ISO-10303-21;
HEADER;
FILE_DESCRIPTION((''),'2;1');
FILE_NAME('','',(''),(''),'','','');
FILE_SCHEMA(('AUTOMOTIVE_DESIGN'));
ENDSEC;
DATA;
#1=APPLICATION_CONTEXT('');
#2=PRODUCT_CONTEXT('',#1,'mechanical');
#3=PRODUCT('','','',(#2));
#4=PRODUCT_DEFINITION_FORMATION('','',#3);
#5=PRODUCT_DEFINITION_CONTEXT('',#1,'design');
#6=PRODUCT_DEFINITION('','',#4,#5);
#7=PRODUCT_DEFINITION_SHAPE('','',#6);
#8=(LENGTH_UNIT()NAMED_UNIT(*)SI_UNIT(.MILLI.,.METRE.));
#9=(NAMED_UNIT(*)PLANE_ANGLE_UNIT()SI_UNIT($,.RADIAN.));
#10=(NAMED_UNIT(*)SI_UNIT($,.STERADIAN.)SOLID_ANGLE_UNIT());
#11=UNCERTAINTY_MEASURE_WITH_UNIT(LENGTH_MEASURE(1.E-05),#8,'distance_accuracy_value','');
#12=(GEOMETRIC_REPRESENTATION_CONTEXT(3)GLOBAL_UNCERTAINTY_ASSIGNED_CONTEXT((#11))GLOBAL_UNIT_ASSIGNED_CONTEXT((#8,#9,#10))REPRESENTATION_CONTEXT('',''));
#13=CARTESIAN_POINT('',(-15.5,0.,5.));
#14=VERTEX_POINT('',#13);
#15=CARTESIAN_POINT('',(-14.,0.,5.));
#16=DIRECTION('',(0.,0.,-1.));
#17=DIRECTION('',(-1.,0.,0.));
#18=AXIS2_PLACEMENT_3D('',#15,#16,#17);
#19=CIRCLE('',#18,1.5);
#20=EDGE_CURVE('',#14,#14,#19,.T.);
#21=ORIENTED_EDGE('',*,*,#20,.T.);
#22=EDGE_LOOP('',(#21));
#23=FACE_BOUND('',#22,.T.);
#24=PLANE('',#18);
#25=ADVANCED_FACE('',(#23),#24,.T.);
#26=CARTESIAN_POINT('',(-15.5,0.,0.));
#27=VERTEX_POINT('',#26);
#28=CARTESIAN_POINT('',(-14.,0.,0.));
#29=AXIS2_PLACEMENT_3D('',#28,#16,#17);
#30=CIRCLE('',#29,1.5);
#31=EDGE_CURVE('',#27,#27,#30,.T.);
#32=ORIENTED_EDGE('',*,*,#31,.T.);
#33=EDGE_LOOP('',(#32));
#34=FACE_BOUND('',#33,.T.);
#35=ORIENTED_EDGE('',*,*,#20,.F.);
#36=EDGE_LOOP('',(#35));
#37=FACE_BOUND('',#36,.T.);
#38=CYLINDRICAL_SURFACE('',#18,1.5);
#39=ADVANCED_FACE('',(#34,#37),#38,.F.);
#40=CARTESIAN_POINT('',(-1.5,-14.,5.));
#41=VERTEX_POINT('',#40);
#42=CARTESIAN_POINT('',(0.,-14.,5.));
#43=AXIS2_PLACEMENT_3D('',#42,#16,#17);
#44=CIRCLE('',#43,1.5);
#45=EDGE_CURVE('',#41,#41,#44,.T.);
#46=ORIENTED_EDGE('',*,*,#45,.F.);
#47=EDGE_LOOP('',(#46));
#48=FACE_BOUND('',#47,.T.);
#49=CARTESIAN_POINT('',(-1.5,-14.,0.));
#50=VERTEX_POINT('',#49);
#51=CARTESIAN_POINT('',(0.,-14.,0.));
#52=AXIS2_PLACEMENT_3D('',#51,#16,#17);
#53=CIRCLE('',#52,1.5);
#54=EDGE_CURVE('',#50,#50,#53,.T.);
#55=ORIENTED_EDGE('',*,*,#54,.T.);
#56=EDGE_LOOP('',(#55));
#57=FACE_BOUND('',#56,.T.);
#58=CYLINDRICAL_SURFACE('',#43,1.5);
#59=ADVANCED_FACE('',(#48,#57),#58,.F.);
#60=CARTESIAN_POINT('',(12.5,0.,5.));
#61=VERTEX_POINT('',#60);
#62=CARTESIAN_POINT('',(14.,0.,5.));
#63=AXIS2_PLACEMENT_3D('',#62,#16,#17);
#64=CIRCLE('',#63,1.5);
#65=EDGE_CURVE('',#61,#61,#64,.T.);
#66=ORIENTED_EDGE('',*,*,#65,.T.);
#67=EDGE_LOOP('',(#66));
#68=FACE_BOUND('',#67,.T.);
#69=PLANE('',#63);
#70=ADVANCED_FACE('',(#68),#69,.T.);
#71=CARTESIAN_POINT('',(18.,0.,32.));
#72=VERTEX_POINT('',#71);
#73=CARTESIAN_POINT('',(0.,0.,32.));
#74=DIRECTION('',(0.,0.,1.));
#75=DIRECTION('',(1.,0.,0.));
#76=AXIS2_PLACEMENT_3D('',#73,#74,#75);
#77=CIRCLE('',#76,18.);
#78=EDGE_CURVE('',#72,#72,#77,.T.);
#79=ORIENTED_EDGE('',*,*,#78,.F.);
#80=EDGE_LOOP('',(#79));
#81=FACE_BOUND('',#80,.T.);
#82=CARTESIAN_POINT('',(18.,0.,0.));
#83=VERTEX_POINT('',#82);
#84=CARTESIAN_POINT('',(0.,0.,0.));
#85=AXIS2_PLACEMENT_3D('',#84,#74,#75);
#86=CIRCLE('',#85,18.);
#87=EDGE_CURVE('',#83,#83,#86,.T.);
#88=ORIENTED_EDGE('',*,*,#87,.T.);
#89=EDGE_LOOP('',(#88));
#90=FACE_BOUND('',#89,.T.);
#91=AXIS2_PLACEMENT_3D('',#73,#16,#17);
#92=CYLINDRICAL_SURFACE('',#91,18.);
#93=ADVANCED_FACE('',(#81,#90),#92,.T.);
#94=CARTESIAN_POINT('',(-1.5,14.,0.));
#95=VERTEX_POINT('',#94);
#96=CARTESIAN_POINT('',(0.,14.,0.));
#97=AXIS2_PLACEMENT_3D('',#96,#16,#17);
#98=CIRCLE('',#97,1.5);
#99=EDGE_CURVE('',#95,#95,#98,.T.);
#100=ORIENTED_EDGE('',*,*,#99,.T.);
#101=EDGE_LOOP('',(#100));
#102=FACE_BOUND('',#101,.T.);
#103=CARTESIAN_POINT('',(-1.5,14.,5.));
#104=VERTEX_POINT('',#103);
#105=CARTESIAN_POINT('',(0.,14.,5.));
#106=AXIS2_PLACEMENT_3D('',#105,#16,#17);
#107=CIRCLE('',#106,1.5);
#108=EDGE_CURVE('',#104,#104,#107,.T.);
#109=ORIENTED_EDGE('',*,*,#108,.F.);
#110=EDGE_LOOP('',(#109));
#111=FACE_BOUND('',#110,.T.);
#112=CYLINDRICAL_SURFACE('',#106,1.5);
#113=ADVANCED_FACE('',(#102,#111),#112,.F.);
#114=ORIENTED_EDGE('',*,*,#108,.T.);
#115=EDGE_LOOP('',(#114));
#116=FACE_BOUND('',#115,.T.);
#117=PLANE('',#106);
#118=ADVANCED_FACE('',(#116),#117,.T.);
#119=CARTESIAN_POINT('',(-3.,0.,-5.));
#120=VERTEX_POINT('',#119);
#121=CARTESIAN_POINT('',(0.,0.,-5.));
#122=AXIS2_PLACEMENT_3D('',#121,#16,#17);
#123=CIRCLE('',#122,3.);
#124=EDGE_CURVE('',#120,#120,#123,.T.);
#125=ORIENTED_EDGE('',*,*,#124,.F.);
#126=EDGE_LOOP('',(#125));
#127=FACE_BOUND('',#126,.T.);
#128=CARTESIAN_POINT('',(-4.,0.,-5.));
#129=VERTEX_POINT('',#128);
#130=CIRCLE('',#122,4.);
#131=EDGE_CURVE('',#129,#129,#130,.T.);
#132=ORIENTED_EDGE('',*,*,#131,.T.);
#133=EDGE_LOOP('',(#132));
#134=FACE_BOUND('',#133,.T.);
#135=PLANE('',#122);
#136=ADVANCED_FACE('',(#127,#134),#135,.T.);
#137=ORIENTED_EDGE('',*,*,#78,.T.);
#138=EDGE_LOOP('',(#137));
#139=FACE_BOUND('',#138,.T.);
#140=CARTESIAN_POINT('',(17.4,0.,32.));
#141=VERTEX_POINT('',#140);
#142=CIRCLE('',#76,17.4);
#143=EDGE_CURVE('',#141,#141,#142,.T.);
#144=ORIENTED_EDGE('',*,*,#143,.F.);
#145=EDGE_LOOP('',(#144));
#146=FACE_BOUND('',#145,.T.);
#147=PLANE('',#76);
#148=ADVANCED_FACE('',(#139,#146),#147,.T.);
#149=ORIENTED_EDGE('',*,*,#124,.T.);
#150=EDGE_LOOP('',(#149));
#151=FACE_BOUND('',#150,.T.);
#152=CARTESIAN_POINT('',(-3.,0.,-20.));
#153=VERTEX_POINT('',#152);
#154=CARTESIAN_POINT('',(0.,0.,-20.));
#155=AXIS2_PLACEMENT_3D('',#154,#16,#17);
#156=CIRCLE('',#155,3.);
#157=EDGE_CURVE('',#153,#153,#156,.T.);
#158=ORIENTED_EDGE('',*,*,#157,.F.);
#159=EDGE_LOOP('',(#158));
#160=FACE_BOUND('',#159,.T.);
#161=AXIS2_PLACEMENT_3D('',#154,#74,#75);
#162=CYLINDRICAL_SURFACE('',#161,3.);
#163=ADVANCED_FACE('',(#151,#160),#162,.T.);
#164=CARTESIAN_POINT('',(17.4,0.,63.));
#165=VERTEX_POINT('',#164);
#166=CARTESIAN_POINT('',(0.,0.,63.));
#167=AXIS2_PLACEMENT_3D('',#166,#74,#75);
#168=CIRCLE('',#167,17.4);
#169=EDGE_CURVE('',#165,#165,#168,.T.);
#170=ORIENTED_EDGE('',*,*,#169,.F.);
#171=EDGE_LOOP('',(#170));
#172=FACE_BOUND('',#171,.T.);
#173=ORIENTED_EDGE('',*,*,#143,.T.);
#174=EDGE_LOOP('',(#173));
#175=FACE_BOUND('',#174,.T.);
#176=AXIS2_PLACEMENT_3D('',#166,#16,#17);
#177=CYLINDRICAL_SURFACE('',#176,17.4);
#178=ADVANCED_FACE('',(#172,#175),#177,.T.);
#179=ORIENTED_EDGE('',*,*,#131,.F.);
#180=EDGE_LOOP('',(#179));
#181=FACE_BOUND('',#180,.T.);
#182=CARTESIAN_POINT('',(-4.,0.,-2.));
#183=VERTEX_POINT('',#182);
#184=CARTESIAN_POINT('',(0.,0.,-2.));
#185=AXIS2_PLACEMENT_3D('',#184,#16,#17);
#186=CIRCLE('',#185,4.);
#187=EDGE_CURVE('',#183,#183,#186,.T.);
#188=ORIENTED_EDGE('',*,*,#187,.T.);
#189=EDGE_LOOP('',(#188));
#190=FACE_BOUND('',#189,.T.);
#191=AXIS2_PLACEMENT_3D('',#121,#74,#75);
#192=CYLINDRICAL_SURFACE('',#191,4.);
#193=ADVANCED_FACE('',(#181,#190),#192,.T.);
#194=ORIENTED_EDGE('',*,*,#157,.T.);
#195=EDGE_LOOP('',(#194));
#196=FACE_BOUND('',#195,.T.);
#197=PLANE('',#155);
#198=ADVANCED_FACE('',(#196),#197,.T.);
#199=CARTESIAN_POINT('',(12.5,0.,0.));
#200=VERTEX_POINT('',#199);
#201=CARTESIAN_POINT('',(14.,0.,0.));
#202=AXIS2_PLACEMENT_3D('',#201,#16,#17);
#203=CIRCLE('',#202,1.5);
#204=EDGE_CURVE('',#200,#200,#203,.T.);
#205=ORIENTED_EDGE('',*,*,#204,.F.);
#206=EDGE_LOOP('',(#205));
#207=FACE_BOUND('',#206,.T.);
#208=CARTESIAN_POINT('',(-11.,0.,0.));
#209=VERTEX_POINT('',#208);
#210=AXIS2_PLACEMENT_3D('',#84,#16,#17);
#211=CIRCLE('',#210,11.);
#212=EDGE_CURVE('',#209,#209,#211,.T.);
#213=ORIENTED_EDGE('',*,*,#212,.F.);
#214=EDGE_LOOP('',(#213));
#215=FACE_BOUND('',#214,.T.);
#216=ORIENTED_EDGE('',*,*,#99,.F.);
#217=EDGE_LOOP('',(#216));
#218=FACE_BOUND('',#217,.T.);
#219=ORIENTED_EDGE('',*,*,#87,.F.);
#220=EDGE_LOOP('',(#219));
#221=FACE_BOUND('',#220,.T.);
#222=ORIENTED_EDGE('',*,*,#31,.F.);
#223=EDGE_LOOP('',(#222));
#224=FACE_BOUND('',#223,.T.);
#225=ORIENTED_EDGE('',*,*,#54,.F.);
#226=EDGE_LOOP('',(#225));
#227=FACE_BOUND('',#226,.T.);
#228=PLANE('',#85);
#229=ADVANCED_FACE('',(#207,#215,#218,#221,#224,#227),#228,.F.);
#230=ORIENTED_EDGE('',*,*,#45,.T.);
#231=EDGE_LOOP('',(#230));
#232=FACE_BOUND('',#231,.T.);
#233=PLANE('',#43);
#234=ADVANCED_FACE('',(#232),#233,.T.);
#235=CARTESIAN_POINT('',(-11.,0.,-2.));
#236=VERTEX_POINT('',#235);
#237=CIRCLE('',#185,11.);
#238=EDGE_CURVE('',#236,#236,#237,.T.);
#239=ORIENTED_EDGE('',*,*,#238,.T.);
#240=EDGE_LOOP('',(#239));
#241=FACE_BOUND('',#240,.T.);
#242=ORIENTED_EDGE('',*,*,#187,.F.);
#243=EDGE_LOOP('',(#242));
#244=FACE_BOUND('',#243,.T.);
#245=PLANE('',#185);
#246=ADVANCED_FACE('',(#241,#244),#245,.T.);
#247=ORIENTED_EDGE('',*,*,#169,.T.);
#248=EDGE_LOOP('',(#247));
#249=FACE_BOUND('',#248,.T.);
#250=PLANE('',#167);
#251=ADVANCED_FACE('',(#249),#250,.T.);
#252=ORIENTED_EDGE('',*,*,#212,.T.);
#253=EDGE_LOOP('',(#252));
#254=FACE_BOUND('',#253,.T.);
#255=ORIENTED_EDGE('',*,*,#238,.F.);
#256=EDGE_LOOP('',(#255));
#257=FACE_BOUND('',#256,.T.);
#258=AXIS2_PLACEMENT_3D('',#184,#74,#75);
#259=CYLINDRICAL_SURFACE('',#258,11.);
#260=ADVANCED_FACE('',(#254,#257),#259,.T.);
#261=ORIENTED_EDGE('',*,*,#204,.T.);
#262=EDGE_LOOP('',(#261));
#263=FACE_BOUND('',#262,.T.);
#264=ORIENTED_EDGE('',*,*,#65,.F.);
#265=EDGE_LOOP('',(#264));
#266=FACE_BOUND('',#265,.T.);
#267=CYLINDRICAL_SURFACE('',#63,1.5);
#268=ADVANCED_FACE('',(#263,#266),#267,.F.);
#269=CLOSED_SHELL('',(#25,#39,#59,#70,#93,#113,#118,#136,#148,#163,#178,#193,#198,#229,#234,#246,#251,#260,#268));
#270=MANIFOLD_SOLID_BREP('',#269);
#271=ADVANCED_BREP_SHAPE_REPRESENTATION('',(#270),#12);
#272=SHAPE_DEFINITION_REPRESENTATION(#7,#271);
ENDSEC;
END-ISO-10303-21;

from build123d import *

# Parameters (mm, degrees)
SKETCH_1_R          = 18
EXTRUDE_1_DEPTH     = 32
SKETCH_2_R          = 17.4
EXTRUDE_2_DEPTH     = 31
SKETCH_3_R          = 11
EXTRUDE_3_DEPTH     = 2
SKETCH_4_R          = 4
EXTRUDE_4_DEPTH     = 3
SKETCH_5_R          = 3
EXTRUDE_5_DEPTH     = 15
SKETCH_6_R          = 1.5
CUT_EXTRUDE_2_DEPTH = 5


with BuildPart() as part:
    # 草图1 → 凸台-拉伸1 (new body)
    with BuildSketch(Plane.XY):
        Circle(SKETCH_1_R)
    extrude(amount=EXTRUDE_1_DEPTH)

    # 草图2 → 凸台-拉伸2 (add)
    with BuildSketch(Plane.XY.offset(32)):
        Circle(SKETCH_2_R)
    extrude(amount=EXTRUDE_2_DEPTH)

    # 草图3 → 凸台-拉伸3 (add)
    with BuildSketch(Plane(origin=(0, 0, 0), x_dir=(-1, 0, 0), z_dir=(0, 0, -1))):
        Circle(SKETCH_3_R)
    extrude(amount=EXTRUDE_3_DEPTH)

    # 草图4 → 凸台-拉伸4 (add)
    with BuildSketch(Plane(origin=(0, 0, -2), x_dir=(-1, 0, 0), z_dir=(0, 0, -1))):
        Circle(SKETCH_4_R)
    extrude(amount=EXTRUDE_4_DEPTH)

    # 草图5 → 凸台-拉伸5 (add)
    with BuildSketch(Plane(origin=(0, 0, -5), x_dir=(-1, 0, 0), z_dir=(0, 0, -1))):
        Circle(SKETCH_5_R)
    extrude(amount=EXTRUDE_5_DEPTH)

    # 草图6 → 切除-拉伸2 (cut)
    with BuildSketch(Plane(origin=(0, 0, 0), x_dir=(-1, 0, 0), z_dir=(0, 0, -1))):
        with Locations((0, 14)):
            Circle(SKETCH_6_R)
        with Locations((0, -14)):
            Circle(SKETCH_6_R)
        with Locations((14, 0)):
            Circle(SKETCH_6_R)
        with Locations((-14, 0)):
            Circle(SKETCH_6_R)
    extrude(amount=-CUT_EXTRUDE_2_DEPTH, mode=Mode.SUBTRACT)


solid = part.part
